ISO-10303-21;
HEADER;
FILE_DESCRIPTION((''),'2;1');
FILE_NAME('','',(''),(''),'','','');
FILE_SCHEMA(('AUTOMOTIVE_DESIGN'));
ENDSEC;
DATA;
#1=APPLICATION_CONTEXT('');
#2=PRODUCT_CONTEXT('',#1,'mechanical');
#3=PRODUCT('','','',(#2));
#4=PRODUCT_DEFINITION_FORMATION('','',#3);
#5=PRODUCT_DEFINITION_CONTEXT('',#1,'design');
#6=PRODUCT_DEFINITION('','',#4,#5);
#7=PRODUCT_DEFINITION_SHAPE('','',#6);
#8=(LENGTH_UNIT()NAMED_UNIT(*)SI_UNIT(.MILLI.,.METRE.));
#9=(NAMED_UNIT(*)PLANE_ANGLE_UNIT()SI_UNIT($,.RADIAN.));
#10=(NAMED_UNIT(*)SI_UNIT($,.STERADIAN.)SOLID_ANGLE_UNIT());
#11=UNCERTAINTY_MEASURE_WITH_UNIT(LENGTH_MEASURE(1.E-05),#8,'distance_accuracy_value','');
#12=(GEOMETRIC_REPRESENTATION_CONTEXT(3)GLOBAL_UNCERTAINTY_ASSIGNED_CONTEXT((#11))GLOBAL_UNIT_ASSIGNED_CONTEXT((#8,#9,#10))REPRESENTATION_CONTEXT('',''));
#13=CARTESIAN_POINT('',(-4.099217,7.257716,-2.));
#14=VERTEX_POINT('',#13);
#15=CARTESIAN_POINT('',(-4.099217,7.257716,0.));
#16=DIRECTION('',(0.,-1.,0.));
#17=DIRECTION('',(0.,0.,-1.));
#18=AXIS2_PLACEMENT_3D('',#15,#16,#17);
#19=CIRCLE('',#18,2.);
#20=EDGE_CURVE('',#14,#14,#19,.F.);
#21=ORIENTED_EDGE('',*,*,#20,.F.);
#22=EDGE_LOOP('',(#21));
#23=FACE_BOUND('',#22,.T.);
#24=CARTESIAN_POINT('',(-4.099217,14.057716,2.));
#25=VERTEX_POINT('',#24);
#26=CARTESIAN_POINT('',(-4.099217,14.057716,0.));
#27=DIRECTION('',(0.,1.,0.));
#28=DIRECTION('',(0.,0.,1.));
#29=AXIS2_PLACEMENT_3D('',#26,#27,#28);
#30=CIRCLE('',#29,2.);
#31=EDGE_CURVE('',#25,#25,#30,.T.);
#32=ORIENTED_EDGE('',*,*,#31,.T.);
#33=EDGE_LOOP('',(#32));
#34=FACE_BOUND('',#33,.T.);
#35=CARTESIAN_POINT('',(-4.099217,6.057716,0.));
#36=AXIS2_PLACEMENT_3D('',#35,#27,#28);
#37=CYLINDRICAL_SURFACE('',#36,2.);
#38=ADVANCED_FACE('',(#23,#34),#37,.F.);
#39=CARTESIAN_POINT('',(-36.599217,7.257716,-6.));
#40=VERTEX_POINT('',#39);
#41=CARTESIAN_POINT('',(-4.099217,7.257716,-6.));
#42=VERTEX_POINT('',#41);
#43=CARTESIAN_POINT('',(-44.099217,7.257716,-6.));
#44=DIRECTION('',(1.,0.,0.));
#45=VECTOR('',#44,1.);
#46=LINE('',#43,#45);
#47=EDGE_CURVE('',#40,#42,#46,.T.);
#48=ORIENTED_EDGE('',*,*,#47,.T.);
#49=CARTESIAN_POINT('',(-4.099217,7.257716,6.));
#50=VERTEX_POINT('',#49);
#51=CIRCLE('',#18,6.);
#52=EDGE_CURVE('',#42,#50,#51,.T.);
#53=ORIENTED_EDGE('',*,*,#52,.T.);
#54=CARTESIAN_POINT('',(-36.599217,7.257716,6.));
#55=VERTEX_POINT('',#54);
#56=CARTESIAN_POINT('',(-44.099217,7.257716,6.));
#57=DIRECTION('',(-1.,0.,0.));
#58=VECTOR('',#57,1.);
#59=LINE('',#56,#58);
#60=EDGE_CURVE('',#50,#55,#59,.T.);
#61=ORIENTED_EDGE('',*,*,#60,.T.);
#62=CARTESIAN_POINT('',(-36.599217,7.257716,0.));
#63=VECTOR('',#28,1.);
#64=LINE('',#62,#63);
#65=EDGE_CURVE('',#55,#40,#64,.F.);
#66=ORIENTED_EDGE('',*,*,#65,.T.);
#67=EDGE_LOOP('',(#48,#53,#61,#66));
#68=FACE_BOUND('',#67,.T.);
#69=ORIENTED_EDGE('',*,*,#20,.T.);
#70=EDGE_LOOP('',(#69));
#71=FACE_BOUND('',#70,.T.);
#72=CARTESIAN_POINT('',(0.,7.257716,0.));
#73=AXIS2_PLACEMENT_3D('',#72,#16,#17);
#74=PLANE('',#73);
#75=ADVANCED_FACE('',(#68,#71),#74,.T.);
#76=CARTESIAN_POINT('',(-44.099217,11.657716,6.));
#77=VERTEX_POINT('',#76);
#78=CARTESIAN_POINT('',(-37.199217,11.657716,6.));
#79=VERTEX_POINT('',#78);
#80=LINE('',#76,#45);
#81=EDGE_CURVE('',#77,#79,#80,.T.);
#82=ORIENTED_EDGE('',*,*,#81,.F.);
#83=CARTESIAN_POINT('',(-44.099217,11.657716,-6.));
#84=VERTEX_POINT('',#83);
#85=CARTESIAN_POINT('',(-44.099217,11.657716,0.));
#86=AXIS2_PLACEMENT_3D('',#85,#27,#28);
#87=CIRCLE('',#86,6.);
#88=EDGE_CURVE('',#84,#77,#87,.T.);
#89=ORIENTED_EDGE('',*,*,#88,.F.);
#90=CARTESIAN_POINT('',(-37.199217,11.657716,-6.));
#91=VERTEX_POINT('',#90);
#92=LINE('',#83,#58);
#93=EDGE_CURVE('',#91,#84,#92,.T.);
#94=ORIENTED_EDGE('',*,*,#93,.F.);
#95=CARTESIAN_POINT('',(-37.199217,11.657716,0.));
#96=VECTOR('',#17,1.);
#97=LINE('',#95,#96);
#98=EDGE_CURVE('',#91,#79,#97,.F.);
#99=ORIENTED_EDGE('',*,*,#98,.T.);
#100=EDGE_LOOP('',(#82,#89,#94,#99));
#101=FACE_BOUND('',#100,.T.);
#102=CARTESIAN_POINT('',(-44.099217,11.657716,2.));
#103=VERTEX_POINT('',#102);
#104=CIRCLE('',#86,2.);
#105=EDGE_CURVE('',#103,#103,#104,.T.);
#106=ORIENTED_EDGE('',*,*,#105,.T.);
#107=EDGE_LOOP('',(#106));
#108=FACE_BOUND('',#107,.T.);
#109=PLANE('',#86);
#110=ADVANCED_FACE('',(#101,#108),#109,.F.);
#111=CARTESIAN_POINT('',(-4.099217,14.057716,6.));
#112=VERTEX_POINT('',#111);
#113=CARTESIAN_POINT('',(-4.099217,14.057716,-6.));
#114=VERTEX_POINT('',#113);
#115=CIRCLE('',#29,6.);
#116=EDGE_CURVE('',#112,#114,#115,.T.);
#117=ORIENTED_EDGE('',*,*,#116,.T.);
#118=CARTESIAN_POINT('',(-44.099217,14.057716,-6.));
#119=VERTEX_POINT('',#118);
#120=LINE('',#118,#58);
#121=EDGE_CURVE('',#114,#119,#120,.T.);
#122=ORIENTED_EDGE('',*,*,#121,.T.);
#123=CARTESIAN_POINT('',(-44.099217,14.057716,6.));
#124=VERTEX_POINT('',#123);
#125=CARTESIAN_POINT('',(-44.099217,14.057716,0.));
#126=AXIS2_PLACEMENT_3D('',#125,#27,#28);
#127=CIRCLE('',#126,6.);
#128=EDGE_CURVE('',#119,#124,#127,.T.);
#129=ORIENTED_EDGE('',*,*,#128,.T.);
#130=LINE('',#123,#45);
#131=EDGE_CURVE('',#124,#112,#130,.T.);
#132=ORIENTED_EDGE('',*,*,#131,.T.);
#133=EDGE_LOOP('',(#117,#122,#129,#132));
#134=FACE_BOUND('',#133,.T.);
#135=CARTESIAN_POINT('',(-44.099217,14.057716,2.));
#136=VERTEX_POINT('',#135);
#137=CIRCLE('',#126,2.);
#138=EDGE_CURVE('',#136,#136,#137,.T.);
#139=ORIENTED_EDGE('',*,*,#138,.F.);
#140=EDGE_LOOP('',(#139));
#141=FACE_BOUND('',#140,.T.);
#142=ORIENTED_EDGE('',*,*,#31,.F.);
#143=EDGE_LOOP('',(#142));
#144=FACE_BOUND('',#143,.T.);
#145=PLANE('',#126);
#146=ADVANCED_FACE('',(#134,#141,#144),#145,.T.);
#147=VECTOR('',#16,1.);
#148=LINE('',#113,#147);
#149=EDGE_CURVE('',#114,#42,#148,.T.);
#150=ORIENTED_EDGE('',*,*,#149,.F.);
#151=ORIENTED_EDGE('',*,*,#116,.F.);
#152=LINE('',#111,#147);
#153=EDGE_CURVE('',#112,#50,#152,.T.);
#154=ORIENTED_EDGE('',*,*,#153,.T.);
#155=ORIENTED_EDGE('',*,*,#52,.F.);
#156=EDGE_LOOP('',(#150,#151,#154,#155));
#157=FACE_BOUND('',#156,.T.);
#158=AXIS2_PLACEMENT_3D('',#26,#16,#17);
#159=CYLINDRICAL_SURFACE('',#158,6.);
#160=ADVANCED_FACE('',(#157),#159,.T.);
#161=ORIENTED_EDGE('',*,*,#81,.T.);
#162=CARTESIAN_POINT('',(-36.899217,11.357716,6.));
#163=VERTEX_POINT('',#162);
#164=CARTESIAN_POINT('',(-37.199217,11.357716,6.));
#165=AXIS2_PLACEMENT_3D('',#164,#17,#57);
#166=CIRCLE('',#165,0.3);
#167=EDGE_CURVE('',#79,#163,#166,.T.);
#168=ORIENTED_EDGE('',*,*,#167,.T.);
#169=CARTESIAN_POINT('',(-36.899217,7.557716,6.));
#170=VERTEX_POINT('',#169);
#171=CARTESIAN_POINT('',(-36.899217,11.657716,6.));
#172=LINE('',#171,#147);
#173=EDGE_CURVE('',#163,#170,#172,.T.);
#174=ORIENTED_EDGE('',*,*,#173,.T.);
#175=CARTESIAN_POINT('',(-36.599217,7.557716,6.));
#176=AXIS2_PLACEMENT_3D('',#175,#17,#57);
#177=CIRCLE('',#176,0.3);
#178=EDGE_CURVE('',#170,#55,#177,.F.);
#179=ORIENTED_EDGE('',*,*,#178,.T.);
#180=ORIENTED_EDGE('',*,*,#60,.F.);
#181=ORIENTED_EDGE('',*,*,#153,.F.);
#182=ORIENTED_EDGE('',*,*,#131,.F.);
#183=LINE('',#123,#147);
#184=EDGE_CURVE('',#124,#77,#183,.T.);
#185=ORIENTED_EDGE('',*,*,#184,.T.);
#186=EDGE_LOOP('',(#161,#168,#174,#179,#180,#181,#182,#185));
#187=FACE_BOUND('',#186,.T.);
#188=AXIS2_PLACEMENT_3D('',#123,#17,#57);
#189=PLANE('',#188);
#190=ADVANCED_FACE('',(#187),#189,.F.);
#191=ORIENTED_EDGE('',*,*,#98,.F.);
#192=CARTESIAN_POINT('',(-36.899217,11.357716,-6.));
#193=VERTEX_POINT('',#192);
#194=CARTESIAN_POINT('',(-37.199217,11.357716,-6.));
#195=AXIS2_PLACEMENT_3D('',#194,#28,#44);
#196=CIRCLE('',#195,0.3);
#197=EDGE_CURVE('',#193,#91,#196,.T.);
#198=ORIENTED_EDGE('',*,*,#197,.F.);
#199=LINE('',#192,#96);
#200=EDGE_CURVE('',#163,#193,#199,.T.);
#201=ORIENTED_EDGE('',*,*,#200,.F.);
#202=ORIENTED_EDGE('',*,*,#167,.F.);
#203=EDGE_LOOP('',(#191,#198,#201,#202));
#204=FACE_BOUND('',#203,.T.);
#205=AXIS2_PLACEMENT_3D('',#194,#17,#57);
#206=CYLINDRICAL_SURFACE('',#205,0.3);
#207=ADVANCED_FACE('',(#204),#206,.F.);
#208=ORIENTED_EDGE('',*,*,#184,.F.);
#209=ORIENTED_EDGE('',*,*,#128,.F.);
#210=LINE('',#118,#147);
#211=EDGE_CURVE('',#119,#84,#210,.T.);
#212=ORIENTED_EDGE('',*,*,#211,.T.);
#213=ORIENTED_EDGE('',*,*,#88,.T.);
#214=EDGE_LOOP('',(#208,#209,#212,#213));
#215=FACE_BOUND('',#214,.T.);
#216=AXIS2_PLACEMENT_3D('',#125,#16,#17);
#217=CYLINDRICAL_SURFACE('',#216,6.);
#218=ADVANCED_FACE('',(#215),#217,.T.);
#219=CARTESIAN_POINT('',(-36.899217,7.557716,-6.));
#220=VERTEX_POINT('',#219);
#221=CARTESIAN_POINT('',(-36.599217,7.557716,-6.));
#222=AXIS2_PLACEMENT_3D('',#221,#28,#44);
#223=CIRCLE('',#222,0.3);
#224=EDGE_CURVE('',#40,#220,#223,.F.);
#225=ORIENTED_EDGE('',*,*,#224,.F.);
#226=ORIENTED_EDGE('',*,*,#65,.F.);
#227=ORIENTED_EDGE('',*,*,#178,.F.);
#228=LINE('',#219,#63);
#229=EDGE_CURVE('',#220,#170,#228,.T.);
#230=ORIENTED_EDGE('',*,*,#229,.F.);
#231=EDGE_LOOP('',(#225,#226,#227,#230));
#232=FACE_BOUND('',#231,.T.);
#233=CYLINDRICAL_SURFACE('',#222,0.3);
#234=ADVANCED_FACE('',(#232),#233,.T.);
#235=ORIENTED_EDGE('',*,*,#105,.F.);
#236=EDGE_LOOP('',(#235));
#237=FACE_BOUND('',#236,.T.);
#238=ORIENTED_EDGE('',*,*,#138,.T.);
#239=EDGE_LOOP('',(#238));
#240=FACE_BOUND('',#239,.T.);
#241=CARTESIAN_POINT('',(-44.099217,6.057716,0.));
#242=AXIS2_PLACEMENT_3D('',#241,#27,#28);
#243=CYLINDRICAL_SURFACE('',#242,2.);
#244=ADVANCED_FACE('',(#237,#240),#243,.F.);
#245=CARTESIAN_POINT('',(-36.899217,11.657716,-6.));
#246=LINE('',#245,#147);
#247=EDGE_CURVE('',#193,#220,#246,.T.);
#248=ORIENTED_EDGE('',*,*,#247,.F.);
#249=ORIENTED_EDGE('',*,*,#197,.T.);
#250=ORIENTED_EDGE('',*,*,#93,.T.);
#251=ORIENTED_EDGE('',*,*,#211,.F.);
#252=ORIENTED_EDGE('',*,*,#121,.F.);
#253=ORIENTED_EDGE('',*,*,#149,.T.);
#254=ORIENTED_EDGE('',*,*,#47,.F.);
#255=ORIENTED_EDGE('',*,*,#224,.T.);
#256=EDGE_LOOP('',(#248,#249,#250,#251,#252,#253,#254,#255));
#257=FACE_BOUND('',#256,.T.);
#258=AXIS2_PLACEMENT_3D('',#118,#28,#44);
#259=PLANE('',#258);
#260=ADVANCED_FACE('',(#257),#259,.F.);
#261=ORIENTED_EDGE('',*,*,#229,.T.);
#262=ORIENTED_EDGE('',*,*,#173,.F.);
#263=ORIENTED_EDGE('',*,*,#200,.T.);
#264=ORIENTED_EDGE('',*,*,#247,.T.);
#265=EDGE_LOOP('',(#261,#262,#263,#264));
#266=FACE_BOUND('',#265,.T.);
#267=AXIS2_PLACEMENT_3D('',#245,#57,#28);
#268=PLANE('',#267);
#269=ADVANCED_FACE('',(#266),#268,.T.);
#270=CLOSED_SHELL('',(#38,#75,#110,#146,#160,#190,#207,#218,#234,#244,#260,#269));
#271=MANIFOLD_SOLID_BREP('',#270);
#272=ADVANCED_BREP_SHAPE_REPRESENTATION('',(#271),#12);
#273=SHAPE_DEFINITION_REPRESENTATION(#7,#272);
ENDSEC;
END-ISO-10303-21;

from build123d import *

# Parameters (mm, degrees)
SKETCH1_R           = 2.4
BOSS_EXTRUDE1_DEPTH = 15
SKETCH2_R           = 2.4
CUT_EXTRUDE1_DEPTH  = 12
SKETCH3_W           = 81.763751064
SKETCH3_H           = 26.290001284
CUT_EXTRUDE2_DEPTH  = 5
SCALE1_SCALE        = 0.8
SKETCH4_R           = 2
CUT_EXTRUDE3_DEPTH  = 52.087489074
SKETCH5_W           = 42.014746782
SKETCH5_H           = 19.111045429
CUT_EXTRUDE4_DEPTH  = 1.2
FILLET1_R           = 0.3
FILLET3_R           = 0.3


with BuildPart() as part:
    # Sketch1 → Boss-Extrude1 (new body)
    with BuildSketch(Plane(origin=(0, 0, 0), x_dir=(1, 0, 0), z_dir=(0, 1, 0))):
        with BuildLine():
            Line((-50, 7.5), (0, 7.5))
            ThreePointArc((0, 7.5), (7.5, 0), (0, -7.5))
            Line((0, -7.5), (-50, -7.5))
            ThreePointArc((-50, -7.5), (-57.5, 0), (-50, 7.5))
        make_face()
        with Locations(Location((-50, 0, 0), (0, 0, 270))):
            Circle(SKETCH1_R, mode=Mode.SUBTRACT)
        with Locations(Location((0, 0, 0), (0, 0, 270))):
            Circle(SKETCH1_R, mode=Mode.SUBTRACT)
    extrude(amount=BOSS_EXTRUDE1_DEPTH)

    # Sketch2 → Cut-Extrude1 (cut)
    with BuildSketch(Plane(origin=(0, 0, 0), x_dir=(1, 0, 0), z_dir=(0, 1, 0))):
        with BuildLine():
            Line((-50, 7.5), (-41, 7.5))
            Line((-41, 7.5), (-41, -7.5))
            Line((-41, -7.5), (-50, -7.5))
            ThreePointArc((-50, -7.5), (-57.5, 0), (-50, 7.5))
        make_face()
        with Locations(Location((-50, 0, 0), (0, 0, 270))):
            Circle(SKETCH2_R, mode=Mode.SUBTRACT)
    extrude(amount=CUT_EXTRUDE1_DEPTH, mode=Mode.SUBTRACT)

    # Sketch3 → Cut-Extrude2 (cut)
    with BuildSketch(Plane.XZ):
        with Locations((-24.1072482, 0)):
            Rectangle(SKETCH3_W, SKETCH3_H)
    extrude(amount=-CUT_EXTRUDE2_DEPTH, mode=Mode.SUBTRACT)


with BuildPart() as part_1:
    # Scale1: scaled about (-20.496084793, 10.28858221, 0)
    add(part.part.scale(SCALE1_SCALE).moved(Location((-4.099216959, 2.057716442, 0))))

    # Sketch4 → Cut-Extrude3 (cut, through all)
    with BuildSketch(Plane(origin=(0, 14.057716442, 0), x_dir=(1, 0, 0), z_dir=(0, 1, 0))):
        with Locations(Location((-44.099216959, 0, 0), (0, 0, 270))):
            Circle(SKETCH4_R)
        with Locations(Location((-4.099216959, 0, 0), (0, 0, 270))):
            Circle(SKETCH4_R)
    extrude(amount=-CUT_EXTRUDE3_DEPTH, mode=Mode.SUBTRACT)

    # Sketch5 → Cut-Extrude4 (cut)
    with BuildSketch(Plane.XZ.offset(-6.057716442)):
        with Locations((-17.942307993, -0.717456632)):
            Rectangle(SKETCH5_W, SKETCH5_H)
    extrude(amount=-CUT_EXTRUDE4_DEPTH, mode=Mode.SUBTRACT)

    # Fillet1
    fillet1_edges = [part_1.edges().sort_by_distance(p)[0] for p in [
        (-36.899216959, 11.657716442, 0),
    ]]
    fillet(fillet1_edges, radius=FILLET1_R)

    # Fillet3
    fillet3_edges = [part_1.edges().sort_by_distance(p)[0] for p in [
        (-36.899216959, 7.257716442, 0),
    ]]
    fillet(fillet3_edges, radius=FILLET3_R)


solid = part_1.part
